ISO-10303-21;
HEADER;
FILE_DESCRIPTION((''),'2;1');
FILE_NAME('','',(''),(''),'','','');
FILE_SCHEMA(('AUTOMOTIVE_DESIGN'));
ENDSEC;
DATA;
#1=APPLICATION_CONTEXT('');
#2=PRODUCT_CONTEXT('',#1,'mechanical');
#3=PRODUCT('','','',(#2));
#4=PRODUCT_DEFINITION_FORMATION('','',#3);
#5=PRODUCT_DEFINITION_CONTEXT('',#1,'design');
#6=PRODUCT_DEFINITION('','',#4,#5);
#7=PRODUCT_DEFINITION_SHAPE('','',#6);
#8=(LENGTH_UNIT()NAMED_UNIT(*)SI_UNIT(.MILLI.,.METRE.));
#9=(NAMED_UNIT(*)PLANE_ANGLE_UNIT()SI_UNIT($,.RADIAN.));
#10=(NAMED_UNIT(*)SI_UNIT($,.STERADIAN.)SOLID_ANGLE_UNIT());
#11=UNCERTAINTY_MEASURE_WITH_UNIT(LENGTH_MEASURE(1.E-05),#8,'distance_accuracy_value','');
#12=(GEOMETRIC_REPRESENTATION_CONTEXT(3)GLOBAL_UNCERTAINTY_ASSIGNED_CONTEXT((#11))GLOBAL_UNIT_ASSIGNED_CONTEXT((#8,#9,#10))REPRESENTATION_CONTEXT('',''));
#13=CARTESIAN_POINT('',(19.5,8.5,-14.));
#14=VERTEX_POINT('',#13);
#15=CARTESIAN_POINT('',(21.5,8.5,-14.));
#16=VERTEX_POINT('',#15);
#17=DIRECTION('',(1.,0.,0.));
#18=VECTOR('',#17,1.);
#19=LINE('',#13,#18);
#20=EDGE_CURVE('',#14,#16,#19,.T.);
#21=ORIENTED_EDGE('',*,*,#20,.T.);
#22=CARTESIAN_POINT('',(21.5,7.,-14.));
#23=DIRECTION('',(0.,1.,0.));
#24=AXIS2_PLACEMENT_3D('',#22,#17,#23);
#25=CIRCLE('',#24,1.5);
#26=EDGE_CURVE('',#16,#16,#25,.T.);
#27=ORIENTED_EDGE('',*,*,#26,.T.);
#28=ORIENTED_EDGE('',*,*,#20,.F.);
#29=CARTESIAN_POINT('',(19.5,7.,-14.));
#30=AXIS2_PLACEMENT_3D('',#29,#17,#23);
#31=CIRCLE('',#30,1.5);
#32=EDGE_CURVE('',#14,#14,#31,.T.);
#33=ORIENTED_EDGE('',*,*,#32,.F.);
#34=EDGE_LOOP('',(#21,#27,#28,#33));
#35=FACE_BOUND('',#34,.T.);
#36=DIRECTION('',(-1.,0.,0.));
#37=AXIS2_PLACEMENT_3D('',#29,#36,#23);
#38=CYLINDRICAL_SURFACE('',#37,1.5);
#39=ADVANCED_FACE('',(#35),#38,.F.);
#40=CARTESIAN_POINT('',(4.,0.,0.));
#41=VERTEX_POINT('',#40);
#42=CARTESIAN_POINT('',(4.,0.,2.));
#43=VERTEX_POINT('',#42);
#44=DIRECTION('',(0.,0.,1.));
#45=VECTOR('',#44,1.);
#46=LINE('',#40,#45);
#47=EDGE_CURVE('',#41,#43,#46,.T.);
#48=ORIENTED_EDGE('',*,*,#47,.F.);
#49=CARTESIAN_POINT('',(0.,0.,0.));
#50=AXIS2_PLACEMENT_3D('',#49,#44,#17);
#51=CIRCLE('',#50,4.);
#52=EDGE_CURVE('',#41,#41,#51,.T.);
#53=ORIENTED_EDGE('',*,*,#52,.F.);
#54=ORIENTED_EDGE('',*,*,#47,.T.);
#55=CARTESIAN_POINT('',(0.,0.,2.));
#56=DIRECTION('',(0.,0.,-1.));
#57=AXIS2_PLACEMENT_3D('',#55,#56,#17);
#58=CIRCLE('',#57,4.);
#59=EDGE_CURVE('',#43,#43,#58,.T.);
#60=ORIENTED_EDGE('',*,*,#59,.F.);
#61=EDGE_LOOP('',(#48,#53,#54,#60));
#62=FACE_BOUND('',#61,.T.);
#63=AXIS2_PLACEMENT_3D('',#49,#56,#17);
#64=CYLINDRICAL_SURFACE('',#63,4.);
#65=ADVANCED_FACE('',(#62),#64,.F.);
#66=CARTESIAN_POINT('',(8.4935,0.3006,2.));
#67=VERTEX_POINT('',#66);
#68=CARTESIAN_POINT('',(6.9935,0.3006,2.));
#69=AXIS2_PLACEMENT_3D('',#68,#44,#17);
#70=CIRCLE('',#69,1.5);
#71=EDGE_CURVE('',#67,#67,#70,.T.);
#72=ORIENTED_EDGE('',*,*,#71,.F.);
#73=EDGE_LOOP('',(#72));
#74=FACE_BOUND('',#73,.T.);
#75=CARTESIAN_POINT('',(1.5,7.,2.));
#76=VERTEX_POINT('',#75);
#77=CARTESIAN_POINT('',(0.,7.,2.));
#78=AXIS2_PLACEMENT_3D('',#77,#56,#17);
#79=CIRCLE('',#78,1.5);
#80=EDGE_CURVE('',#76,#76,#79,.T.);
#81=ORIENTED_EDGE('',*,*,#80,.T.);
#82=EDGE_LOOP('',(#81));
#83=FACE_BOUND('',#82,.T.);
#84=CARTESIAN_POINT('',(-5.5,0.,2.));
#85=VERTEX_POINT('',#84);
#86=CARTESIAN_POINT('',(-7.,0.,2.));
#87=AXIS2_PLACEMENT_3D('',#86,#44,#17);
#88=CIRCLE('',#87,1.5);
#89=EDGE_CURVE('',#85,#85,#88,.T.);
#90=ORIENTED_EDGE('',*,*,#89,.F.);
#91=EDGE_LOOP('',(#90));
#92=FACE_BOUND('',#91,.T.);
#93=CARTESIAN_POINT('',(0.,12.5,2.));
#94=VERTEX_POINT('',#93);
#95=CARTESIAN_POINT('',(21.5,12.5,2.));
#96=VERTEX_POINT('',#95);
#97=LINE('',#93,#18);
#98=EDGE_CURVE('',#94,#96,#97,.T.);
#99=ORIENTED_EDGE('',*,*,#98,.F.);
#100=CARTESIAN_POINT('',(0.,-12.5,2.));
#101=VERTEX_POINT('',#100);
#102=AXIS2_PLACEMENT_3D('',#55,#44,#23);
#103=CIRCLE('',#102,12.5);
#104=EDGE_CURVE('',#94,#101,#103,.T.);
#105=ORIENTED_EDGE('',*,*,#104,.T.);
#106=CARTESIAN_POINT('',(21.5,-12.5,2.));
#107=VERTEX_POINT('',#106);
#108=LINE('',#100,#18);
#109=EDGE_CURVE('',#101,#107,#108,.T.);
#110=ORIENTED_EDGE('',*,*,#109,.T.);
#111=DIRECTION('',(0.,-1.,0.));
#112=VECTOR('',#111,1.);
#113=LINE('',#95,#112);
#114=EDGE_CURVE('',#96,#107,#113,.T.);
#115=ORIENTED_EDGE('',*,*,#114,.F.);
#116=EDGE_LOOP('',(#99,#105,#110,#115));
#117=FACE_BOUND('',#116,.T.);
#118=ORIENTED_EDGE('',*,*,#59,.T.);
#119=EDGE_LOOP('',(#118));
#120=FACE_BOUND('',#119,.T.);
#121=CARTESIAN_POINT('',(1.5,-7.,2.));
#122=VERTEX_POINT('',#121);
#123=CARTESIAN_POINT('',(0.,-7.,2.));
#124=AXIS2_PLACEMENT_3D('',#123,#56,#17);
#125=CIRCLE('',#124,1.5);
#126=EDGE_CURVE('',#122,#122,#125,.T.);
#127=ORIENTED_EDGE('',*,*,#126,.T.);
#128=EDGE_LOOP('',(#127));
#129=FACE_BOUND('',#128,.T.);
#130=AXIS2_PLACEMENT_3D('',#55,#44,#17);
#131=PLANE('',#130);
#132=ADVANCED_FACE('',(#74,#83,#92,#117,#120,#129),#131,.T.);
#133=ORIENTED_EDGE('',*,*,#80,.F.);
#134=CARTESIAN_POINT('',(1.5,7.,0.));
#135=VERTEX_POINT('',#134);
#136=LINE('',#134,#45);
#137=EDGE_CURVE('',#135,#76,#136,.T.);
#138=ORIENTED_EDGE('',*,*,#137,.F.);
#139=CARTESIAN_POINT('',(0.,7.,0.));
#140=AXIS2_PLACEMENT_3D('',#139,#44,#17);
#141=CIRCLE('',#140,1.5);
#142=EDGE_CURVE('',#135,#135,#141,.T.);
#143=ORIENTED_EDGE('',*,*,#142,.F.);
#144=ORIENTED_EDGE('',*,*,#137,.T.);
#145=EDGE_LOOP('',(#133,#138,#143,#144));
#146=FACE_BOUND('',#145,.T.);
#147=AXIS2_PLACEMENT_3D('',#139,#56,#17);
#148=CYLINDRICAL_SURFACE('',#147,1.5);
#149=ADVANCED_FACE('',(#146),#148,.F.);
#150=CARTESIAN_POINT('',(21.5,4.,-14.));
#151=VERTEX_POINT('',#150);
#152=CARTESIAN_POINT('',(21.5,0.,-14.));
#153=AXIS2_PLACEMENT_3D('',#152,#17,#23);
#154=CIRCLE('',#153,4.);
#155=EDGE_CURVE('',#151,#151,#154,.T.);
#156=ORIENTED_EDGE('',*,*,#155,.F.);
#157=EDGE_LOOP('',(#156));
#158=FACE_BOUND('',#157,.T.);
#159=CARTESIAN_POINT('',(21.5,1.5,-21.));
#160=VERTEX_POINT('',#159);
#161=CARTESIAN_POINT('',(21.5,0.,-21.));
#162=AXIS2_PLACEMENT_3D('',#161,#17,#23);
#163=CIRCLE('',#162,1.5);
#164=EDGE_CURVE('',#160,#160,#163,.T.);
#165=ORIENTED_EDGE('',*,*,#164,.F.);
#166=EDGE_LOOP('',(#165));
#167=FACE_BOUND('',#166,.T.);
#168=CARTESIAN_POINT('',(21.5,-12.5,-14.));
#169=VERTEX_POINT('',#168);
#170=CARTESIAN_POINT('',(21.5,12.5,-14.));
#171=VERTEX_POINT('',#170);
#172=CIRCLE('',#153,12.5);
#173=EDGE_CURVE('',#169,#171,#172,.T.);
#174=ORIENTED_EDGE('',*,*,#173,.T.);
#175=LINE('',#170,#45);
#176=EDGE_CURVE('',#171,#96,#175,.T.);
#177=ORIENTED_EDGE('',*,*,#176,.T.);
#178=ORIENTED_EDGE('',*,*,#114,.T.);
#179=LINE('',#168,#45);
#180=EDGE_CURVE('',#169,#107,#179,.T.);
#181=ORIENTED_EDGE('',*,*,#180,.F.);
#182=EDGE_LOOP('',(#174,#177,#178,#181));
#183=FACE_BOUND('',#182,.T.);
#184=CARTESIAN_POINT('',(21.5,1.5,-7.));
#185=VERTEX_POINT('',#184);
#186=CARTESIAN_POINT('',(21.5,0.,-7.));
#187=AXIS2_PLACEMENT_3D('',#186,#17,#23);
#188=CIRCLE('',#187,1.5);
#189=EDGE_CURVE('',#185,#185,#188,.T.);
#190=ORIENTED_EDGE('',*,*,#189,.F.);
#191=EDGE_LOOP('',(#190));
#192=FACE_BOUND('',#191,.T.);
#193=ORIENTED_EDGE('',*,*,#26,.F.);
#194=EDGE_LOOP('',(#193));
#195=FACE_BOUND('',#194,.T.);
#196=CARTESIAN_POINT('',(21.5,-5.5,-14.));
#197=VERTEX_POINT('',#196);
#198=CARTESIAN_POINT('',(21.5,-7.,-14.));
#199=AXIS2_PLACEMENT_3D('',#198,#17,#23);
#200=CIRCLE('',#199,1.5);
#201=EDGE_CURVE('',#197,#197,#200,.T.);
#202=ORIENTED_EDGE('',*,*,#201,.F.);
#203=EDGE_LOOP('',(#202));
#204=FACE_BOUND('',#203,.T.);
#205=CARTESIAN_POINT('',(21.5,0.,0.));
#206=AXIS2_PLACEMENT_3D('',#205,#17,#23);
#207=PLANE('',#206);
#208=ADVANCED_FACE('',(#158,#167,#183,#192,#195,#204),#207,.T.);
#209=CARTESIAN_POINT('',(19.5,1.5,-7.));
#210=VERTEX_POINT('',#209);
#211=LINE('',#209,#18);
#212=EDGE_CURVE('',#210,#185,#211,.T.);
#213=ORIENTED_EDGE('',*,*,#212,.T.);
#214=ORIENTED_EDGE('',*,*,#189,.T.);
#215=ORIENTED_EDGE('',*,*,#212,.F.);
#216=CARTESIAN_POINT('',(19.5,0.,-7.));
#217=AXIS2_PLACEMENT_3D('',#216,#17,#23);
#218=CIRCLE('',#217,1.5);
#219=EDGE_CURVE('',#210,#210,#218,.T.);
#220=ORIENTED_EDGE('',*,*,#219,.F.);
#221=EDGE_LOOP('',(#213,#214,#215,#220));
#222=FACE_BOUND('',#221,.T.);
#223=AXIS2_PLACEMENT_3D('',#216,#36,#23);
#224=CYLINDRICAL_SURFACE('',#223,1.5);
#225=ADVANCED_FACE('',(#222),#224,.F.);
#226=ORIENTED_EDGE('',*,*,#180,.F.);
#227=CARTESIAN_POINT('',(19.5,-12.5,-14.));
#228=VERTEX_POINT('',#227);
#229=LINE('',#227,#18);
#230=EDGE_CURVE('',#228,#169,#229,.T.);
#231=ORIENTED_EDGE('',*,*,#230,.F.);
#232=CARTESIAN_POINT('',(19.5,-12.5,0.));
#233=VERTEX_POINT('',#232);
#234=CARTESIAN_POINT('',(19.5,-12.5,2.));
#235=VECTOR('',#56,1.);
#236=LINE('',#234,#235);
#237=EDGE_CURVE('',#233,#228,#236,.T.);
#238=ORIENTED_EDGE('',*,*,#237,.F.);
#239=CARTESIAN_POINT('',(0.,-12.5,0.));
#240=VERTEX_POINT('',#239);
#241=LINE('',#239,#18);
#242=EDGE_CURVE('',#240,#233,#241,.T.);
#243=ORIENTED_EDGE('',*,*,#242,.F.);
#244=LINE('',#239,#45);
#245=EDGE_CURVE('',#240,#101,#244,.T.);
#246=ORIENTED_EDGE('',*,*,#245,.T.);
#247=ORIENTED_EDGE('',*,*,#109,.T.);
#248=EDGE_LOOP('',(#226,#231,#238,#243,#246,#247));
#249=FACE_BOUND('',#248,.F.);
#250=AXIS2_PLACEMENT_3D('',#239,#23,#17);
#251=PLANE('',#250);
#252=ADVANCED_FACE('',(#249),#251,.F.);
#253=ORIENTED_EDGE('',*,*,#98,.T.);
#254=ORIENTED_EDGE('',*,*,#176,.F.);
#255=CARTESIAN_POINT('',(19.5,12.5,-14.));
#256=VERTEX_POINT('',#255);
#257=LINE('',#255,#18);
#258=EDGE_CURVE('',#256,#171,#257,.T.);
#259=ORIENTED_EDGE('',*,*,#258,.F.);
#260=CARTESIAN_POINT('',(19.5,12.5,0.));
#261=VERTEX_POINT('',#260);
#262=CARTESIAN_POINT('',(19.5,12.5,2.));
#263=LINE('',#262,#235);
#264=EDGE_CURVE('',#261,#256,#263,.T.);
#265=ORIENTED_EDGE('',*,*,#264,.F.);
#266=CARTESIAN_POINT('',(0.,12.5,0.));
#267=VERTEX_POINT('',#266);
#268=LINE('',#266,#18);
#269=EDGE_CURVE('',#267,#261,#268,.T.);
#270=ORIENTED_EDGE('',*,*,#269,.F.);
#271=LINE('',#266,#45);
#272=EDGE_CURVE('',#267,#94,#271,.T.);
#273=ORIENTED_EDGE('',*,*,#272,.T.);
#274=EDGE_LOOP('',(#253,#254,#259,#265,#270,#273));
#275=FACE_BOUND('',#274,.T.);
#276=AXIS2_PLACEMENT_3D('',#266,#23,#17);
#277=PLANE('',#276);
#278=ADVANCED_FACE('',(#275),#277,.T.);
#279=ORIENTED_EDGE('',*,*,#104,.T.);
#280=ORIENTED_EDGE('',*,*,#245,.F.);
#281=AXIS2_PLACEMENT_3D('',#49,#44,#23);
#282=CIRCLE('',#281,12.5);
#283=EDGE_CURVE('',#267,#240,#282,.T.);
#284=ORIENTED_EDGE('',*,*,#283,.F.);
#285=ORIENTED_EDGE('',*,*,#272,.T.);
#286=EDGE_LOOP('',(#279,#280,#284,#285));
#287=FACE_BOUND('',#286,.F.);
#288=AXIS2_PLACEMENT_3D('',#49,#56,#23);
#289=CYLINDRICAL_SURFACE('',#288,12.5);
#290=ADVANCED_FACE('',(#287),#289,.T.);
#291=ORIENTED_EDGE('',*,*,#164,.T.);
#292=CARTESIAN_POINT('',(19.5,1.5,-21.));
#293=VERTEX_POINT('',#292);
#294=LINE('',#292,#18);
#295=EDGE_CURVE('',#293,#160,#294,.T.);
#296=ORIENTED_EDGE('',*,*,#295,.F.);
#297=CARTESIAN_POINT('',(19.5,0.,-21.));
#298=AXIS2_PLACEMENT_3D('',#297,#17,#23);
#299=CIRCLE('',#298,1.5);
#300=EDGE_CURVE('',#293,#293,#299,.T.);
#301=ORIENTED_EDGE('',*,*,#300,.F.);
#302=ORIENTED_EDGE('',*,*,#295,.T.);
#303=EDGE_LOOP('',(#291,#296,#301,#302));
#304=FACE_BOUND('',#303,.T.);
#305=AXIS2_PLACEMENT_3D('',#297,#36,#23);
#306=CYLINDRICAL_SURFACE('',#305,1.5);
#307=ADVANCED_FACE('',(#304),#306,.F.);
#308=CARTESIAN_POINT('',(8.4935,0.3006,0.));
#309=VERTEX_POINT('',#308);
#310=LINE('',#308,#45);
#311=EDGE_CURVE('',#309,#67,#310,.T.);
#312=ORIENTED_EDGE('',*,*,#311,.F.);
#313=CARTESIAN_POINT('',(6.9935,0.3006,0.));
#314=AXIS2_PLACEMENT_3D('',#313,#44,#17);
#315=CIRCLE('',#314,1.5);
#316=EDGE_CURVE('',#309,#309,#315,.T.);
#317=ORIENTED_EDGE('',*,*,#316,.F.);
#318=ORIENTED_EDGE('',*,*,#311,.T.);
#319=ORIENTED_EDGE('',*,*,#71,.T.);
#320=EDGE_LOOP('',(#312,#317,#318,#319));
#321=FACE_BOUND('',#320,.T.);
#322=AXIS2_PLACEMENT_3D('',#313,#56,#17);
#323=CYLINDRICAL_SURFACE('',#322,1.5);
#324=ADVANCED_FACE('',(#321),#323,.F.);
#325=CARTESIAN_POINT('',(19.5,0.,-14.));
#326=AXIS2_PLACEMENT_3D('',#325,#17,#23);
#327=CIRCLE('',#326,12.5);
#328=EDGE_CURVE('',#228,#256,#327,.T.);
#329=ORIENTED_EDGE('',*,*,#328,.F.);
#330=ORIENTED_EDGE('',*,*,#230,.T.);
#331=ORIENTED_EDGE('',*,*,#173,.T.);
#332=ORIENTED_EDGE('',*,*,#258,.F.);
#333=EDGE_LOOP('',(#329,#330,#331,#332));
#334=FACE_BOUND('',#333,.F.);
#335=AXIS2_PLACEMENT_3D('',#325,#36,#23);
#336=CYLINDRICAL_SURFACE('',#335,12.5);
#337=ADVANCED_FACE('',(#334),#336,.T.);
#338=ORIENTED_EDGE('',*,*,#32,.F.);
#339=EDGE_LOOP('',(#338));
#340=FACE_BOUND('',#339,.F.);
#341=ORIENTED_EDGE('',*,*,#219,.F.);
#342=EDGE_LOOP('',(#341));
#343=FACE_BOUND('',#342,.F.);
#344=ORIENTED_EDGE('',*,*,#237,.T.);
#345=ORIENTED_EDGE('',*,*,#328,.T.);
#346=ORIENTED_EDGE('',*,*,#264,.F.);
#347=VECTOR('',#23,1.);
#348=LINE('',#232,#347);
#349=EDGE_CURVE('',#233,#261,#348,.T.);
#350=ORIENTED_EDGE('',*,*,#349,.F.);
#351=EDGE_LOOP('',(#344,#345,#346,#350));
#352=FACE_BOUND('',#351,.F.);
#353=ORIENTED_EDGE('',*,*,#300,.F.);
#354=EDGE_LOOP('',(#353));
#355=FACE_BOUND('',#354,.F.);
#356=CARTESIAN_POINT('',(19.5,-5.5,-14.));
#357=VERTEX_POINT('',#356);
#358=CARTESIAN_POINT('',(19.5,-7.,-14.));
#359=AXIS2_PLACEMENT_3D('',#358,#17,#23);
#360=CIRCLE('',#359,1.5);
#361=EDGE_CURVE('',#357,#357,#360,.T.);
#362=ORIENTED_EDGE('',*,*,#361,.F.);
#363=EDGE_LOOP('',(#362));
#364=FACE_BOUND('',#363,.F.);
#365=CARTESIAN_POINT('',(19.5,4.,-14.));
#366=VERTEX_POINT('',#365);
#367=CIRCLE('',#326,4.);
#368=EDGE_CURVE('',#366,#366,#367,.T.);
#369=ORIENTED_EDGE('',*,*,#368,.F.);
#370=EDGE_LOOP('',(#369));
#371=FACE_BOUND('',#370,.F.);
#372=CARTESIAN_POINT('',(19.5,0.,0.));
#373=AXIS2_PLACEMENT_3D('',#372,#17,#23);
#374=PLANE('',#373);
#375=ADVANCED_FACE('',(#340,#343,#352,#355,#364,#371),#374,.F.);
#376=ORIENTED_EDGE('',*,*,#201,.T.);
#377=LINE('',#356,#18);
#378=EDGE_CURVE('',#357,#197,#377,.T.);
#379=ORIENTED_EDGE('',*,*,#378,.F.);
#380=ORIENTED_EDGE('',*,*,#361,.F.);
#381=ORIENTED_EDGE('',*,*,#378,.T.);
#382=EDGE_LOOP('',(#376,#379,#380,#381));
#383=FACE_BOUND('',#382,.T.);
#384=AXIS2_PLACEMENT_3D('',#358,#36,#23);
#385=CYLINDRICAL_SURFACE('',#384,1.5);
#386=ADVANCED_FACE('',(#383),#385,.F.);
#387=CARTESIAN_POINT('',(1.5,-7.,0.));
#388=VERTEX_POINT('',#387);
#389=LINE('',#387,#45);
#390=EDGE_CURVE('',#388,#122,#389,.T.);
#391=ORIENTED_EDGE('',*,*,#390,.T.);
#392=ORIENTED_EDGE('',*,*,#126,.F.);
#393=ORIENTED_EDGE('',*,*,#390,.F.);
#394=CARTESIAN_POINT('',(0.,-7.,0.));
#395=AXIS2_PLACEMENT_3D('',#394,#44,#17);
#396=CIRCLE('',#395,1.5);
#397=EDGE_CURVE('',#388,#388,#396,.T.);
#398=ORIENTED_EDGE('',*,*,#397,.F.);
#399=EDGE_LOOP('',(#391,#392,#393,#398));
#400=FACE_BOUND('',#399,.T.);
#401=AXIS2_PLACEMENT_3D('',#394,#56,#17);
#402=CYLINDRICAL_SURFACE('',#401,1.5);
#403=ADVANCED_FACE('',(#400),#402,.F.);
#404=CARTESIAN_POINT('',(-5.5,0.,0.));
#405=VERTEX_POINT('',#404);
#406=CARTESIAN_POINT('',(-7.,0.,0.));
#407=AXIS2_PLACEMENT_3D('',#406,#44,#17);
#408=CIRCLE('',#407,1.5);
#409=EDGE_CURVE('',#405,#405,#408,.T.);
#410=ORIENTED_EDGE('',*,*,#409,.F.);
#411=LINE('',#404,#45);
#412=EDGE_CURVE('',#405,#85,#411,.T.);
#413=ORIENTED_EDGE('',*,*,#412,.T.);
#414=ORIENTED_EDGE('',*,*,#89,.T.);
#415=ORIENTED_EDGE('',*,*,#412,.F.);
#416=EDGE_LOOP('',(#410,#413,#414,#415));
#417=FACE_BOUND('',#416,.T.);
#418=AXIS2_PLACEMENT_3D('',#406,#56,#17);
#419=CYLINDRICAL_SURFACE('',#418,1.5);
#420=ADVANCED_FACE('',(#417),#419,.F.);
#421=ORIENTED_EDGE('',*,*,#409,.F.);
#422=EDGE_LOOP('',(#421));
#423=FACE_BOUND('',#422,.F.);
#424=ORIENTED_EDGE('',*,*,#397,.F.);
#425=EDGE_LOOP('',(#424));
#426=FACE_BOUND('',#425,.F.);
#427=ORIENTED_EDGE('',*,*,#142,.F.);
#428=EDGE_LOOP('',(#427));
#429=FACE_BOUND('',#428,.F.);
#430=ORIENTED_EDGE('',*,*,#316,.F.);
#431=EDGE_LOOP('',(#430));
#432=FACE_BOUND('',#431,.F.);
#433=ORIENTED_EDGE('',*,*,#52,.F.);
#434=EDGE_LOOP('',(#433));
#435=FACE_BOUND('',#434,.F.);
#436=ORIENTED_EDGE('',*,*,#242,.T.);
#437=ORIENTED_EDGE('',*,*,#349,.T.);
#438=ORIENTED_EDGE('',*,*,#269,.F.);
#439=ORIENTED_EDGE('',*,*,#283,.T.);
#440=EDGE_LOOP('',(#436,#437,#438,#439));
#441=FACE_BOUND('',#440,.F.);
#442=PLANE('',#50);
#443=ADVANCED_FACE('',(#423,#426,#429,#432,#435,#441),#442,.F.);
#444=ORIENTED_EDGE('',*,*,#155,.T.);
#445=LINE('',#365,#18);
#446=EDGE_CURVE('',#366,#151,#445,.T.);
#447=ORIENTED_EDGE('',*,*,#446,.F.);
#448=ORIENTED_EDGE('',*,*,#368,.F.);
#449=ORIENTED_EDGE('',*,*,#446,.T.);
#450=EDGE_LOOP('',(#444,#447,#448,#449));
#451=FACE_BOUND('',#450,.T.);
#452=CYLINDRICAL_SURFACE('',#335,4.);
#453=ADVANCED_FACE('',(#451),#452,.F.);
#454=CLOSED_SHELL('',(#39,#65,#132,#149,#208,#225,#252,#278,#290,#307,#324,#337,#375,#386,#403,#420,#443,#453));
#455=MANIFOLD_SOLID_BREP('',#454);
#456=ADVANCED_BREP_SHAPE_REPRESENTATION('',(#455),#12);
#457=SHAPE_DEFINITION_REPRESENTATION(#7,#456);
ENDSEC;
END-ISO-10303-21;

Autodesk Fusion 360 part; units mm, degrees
sketch "Boceto1" plane through (0, 0, 0) normal (0, 0, 1) x (1, 0, 0)
  line L0 (0, 12.5) -> (0, -12.5)
  arc A0 (0, 12.5) -> (0, -12.5) centre (0, 0) ccw
  line L1 (0, 12.5) -> (19.5, 12.5)
  line L2 (0, -12.5) -> (19.5, -12.5)
  line L3 (19.5, -12.5) -> (19.5, 12.5)
  circle A1 centre (0, 0) radius 4
  circle A2 centre (0, 0) radius 7 construction
  circle A3 centre (0, 7) radius 1.5
  circle A4 centre (-7, 0) radius 1.5
  circle A5 centre (0, -7) radius 1.5
  circle A6 centre (6.9935, 0.3006) radius 1.5
  dimension "d1" = 25
  dimension "d2" = 19.5
  dimension "d3" = 19.5
  dimension "d4" = 8
  dimension "d5" = 14
  dimension "d6" = 3
  dimension "d7" = 3
  dimension "d8" = 3
  dimension "d9" = 3
extrude "Extruir1" add sketch "Boceto1" along normal blind 2 contours L0 L1 L2 L3 A1 A3 A5 | L0 A0 A1 A3 A5
sketch "Boceto2" plane through (19.5, 0, 0) normal (1, 0, 0) x (0, 1, 0)
  line L0 (-12.5, 0) -> (12.5, 0)
  line L1 (12.5, 0) -> (12.5, 2)
  line L2 (12.5, 2) -> (-12.5, 2)
  line L3 (-12.5, 2) -> (-12.5, 0)
  line L4 (12.5, 0) -> (12.5, -14)
  line L5 (-12.5, 0) -> (-12.5, -14)
  circle A0 centre (0, -14) radius 4
  circle A1 centre (0, -14) radius 7 construction
  circle A2 centre (0, -7) radius 1.5
  circle A3 centre (-7, -14) radius 1.5
  circle A4 centre (0, -21) radius 1.5
  circle A5 centre (7, -14) radius 1.5
  circle A6 centre (0, -14) radius 12.5
  line L6 (-12.5, 2) -> (12.5, 2)
  line L7 (12.5, 2) -> (12.5, 0)
  line L8 (12.5, 0) -> (-12.5, 0)
  line L9 (-12.5, 0) -> (-12.5, 2)
  dimension "d12" = 14
  dimension "d13" = 14
  dimension "d14" = 8
  dimension "d15" = 14
  dimension "d16" = 3
  dimension "d17" = 3
  dimension "d18" = 3
  dimension "d19" = 3
extrude "Extruir2" add sketch "Boceto2" along normal blind 2
equation "d1 = ( 12.5 * 2 ) * 1 mm"
